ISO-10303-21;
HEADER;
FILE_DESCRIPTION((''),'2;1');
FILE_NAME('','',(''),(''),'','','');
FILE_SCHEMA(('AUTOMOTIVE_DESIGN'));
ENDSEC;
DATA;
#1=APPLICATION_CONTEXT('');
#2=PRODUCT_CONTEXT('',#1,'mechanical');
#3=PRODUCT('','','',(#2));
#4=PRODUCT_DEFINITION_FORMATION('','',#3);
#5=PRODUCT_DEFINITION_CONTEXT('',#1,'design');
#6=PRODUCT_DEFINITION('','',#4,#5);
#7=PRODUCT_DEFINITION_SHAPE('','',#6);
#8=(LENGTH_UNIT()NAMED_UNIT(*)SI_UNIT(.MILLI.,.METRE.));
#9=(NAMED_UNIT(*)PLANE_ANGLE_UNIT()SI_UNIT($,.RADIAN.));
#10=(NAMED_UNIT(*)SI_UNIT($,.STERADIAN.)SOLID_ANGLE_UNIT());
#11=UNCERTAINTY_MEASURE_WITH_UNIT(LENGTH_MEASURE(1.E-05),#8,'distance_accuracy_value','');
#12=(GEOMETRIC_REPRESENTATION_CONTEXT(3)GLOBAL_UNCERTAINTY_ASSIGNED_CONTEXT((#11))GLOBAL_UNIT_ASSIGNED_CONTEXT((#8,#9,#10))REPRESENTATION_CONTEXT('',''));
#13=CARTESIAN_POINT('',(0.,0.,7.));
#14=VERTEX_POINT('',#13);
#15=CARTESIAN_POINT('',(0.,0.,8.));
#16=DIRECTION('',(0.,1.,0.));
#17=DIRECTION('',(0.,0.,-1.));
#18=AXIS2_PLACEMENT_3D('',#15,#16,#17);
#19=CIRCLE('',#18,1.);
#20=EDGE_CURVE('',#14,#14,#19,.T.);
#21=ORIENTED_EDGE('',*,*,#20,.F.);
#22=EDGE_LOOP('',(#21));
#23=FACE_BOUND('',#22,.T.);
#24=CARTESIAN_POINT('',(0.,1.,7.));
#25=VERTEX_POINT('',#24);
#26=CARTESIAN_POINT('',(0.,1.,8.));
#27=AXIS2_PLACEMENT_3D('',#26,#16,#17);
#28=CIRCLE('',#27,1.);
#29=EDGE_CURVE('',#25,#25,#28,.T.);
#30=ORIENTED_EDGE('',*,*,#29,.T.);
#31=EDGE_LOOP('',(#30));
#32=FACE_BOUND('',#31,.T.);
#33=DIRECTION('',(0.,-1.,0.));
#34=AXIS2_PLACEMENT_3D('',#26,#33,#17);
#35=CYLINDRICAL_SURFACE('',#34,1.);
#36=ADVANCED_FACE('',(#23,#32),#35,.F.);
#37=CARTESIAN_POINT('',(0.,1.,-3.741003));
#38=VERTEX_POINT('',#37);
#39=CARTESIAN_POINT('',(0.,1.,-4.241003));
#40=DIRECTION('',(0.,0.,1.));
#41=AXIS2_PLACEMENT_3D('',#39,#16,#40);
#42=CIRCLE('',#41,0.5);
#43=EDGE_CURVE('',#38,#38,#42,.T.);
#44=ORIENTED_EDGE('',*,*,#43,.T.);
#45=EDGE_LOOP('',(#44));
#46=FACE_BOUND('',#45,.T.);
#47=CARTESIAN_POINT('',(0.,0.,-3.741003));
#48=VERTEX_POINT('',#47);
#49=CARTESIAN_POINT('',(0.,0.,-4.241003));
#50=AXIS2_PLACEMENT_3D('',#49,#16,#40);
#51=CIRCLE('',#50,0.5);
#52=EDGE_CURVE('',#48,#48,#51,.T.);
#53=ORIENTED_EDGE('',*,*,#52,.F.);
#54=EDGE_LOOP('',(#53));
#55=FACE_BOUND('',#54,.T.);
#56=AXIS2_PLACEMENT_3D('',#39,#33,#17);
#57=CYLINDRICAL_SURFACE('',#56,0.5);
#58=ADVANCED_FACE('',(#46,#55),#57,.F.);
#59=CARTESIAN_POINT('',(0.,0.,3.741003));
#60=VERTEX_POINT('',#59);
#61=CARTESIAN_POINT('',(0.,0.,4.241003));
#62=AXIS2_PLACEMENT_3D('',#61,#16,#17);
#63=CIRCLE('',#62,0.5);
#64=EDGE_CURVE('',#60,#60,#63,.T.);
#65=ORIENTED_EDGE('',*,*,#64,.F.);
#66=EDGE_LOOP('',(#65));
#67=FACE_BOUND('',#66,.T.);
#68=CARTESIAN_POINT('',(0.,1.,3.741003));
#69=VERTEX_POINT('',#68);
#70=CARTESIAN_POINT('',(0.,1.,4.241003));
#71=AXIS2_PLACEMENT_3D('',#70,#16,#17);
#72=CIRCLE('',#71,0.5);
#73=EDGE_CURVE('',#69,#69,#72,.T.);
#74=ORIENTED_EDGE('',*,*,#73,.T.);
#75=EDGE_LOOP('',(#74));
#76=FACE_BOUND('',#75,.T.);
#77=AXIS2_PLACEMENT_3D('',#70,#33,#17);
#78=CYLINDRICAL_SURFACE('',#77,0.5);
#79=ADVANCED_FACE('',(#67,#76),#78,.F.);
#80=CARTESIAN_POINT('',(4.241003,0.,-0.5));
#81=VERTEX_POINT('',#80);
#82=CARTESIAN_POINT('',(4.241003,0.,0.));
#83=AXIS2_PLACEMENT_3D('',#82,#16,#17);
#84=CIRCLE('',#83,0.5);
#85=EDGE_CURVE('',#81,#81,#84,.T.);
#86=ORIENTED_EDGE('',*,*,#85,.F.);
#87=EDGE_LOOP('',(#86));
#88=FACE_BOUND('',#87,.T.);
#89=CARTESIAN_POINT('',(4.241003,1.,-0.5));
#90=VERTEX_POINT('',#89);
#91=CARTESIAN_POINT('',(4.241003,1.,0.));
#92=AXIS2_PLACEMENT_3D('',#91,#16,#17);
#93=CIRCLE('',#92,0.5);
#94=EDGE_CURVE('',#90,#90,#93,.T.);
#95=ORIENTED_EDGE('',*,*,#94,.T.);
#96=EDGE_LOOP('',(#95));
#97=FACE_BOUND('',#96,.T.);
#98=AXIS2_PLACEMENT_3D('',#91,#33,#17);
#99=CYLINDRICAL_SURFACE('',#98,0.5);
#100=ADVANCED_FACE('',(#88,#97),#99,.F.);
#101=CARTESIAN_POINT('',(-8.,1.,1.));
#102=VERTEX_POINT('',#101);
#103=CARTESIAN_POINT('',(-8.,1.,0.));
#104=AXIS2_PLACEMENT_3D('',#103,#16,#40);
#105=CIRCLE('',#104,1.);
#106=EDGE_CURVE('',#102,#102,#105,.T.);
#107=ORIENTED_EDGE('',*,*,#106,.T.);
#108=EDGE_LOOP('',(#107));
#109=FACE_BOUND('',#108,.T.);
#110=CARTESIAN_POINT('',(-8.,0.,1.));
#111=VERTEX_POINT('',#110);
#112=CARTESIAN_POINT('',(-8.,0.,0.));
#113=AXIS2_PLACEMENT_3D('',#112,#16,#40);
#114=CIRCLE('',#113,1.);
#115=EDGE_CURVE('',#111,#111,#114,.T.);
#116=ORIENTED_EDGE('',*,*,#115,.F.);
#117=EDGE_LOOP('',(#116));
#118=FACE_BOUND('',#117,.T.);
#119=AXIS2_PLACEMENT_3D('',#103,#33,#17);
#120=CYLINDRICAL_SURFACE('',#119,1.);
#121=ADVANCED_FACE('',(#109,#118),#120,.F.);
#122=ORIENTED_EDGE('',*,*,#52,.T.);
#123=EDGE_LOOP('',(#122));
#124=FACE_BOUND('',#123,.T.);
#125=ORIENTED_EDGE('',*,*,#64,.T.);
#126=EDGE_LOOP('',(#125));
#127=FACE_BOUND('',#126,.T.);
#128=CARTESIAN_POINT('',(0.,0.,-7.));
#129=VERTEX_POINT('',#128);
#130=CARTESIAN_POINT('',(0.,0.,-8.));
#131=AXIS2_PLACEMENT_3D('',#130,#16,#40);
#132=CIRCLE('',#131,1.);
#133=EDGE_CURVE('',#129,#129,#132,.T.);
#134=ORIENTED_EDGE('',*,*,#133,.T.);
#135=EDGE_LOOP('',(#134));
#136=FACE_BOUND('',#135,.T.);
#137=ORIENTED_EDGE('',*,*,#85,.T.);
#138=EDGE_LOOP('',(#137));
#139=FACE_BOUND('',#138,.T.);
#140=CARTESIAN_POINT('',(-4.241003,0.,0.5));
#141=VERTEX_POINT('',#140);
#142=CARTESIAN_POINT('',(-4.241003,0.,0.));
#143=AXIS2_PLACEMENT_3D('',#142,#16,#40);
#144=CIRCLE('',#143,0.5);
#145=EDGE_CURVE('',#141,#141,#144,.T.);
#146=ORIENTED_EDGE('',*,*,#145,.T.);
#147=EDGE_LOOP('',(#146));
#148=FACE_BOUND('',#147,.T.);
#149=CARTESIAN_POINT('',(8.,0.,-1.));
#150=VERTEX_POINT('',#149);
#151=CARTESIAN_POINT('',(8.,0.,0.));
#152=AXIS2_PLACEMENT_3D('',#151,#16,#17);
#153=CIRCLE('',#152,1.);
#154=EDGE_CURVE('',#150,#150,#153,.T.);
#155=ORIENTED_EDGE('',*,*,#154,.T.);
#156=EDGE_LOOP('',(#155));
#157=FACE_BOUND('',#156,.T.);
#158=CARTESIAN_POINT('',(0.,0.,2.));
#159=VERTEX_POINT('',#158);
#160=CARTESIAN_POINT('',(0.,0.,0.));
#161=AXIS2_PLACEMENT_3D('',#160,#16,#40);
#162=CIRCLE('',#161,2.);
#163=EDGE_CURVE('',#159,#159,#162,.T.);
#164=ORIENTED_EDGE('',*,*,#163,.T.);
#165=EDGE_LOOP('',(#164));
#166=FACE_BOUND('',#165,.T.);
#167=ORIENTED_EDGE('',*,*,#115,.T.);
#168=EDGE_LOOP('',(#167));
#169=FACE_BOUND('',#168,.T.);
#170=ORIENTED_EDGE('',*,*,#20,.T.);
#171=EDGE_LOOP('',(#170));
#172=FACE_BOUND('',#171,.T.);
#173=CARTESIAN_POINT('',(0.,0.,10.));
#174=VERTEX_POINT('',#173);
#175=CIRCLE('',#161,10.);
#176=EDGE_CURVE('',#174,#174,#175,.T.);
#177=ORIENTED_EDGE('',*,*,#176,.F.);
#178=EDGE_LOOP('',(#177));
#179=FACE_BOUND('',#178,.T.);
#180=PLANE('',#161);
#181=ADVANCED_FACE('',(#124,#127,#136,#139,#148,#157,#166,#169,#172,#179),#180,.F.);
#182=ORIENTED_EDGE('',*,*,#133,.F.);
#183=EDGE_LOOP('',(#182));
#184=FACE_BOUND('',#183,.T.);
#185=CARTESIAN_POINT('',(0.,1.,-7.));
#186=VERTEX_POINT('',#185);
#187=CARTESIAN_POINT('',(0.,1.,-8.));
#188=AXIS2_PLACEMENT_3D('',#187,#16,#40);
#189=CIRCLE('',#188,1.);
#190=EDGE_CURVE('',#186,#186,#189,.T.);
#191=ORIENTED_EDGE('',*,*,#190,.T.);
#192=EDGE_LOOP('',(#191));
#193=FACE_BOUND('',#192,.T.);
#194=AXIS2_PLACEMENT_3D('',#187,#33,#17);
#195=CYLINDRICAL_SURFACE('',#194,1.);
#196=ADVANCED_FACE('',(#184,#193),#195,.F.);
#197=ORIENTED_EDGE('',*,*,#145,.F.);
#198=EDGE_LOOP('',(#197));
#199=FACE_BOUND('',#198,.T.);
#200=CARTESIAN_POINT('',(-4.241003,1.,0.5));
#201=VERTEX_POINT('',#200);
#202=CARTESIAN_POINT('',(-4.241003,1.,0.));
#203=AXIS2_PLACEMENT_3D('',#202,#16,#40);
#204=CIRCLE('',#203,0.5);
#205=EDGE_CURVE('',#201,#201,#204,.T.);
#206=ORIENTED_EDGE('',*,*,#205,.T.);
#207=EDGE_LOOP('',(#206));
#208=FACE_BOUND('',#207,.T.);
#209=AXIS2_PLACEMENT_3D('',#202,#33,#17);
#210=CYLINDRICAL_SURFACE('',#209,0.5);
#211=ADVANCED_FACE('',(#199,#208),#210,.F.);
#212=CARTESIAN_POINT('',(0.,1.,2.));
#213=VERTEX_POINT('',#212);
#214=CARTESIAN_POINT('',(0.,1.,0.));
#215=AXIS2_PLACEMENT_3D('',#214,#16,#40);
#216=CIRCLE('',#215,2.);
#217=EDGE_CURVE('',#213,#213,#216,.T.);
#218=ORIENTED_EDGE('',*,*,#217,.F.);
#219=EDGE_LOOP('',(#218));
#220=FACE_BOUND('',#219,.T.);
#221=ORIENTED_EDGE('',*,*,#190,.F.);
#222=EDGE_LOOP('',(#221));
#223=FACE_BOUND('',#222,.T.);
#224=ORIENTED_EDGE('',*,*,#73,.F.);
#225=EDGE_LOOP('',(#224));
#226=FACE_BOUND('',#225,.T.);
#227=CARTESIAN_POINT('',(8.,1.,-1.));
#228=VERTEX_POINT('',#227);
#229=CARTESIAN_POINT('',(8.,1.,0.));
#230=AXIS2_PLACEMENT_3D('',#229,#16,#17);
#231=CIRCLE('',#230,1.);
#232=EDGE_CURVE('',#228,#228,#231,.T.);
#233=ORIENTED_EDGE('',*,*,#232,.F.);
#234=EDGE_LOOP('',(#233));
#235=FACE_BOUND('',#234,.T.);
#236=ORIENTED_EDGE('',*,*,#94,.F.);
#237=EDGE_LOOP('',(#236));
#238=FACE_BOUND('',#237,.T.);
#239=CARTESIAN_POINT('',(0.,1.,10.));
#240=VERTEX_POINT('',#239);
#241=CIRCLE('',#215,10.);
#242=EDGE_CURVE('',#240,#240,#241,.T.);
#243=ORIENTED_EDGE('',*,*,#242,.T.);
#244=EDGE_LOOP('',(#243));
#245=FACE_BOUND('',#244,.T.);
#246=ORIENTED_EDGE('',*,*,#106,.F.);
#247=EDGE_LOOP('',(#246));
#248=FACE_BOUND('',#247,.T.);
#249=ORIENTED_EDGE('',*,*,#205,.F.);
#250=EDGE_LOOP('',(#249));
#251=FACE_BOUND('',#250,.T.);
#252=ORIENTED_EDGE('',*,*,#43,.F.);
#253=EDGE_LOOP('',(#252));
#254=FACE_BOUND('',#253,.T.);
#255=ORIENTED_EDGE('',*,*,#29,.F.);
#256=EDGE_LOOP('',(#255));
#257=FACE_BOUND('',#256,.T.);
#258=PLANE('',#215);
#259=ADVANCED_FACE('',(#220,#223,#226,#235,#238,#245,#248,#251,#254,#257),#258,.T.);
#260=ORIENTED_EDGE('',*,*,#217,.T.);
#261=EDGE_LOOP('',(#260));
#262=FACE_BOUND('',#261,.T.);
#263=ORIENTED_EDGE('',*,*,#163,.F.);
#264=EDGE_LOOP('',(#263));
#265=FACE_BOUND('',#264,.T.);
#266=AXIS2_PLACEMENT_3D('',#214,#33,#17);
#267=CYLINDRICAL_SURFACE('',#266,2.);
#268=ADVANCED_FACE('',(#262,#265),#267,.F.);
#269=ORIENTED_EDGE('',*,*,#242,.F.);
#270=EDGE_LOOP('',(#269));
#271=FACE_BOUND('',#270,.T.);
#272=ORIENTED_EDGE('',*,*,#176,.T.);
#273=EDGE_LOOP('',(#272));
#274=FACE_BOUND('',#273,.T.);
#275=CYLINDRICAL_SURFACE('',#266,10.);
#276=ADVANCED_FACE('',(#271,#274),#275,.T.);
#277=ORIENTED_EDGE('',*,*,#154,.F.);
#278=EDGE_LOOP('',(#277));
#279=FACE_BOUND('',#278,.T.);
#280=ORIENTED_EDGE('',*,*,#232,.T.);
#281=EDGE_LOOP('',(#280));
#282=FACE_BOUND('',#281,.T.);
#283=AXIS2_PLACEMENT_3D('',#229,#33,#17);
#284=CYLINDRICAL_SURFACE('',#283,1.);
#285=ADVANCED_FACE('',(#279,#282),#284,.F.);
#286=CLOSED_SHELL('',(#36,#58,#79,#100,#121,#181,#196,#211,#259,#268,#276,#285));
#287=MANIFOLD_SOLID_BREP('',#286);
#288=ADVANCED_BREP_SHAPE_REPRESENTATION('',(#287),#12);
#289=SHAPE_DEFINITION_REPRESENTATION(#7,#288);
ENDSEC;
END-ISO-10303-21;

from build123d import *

# Parameters (mm, degrees)
SKETCH1_R           = 10
SKETCH1_R_2         = 2
SKETCH1_R_3         = 1
SKETCH1_R_4         = 0.5
BOSS_EXTRUDE1_DEPTH = 1


with BuildPart() as part:
    # Sketch1 → Boss-Extrude1 (new body)
    with BuildSketch(Plane(origin=(0, 0, 0), x_dir=(1, 0, 0), z_dir=(0, 1, 0))):
        with Locations(Location((0, 0, 0), (0, 0, 270))):
            Circle(SKETCH1_R)
        with Locations(Location((0, 0, 0), (0, 0, 270))):
            Circle(SKETCH1_R_2, mode=Mode.SUBTRACT)
        with Locations(Location((-8, 0, 0), (0, 0, 270))):
            Circle(SKETCH1_R_3, mode=Mode.SUBTRACT)
        with Locations(Location((-4.241002589, 0, 0), (0, 0, 270))):
            Circle(SKETCH1_R_4, mode=Mode.SUBTRACT)
        with Locations(Location((0, -4.241002589, 0), (0, 0, 90))):
            Circle(SKETCH1_R_4, mode=Mode.SUBTRACT)
        with Locations(Location((0, -8, 0), (0, 0, 90))):
            Circle(SKETCH1_R_3, mode=Mode.SUBTRACT)
        with Locations(Location((4.241002589, 0, 0), (0, 0, 90))):
            Circle(SKETCH1_R_4, mode=Mode.SUBTRACT)
        with Locations(Location((8, 0, 0), (0, 0, 90))):
            Circle(SKETCH1_R_3, mode=Mode.SUBTRACT)
        with Locations(Location((0, 4.241002589, 0), (0, 0, 270))):
            Circle(SKETCH1_R_4, mode=Mode.SUBTRACT)
        with Locations(Location((0, 8, 0), (0, 0, 270))):
            Circle(SKETCH1_R_3, mode=Mode.SUBTRACT)
    extrude(amount=BOSS_EXTRUDE1_DEPTH)


solid = part.part
